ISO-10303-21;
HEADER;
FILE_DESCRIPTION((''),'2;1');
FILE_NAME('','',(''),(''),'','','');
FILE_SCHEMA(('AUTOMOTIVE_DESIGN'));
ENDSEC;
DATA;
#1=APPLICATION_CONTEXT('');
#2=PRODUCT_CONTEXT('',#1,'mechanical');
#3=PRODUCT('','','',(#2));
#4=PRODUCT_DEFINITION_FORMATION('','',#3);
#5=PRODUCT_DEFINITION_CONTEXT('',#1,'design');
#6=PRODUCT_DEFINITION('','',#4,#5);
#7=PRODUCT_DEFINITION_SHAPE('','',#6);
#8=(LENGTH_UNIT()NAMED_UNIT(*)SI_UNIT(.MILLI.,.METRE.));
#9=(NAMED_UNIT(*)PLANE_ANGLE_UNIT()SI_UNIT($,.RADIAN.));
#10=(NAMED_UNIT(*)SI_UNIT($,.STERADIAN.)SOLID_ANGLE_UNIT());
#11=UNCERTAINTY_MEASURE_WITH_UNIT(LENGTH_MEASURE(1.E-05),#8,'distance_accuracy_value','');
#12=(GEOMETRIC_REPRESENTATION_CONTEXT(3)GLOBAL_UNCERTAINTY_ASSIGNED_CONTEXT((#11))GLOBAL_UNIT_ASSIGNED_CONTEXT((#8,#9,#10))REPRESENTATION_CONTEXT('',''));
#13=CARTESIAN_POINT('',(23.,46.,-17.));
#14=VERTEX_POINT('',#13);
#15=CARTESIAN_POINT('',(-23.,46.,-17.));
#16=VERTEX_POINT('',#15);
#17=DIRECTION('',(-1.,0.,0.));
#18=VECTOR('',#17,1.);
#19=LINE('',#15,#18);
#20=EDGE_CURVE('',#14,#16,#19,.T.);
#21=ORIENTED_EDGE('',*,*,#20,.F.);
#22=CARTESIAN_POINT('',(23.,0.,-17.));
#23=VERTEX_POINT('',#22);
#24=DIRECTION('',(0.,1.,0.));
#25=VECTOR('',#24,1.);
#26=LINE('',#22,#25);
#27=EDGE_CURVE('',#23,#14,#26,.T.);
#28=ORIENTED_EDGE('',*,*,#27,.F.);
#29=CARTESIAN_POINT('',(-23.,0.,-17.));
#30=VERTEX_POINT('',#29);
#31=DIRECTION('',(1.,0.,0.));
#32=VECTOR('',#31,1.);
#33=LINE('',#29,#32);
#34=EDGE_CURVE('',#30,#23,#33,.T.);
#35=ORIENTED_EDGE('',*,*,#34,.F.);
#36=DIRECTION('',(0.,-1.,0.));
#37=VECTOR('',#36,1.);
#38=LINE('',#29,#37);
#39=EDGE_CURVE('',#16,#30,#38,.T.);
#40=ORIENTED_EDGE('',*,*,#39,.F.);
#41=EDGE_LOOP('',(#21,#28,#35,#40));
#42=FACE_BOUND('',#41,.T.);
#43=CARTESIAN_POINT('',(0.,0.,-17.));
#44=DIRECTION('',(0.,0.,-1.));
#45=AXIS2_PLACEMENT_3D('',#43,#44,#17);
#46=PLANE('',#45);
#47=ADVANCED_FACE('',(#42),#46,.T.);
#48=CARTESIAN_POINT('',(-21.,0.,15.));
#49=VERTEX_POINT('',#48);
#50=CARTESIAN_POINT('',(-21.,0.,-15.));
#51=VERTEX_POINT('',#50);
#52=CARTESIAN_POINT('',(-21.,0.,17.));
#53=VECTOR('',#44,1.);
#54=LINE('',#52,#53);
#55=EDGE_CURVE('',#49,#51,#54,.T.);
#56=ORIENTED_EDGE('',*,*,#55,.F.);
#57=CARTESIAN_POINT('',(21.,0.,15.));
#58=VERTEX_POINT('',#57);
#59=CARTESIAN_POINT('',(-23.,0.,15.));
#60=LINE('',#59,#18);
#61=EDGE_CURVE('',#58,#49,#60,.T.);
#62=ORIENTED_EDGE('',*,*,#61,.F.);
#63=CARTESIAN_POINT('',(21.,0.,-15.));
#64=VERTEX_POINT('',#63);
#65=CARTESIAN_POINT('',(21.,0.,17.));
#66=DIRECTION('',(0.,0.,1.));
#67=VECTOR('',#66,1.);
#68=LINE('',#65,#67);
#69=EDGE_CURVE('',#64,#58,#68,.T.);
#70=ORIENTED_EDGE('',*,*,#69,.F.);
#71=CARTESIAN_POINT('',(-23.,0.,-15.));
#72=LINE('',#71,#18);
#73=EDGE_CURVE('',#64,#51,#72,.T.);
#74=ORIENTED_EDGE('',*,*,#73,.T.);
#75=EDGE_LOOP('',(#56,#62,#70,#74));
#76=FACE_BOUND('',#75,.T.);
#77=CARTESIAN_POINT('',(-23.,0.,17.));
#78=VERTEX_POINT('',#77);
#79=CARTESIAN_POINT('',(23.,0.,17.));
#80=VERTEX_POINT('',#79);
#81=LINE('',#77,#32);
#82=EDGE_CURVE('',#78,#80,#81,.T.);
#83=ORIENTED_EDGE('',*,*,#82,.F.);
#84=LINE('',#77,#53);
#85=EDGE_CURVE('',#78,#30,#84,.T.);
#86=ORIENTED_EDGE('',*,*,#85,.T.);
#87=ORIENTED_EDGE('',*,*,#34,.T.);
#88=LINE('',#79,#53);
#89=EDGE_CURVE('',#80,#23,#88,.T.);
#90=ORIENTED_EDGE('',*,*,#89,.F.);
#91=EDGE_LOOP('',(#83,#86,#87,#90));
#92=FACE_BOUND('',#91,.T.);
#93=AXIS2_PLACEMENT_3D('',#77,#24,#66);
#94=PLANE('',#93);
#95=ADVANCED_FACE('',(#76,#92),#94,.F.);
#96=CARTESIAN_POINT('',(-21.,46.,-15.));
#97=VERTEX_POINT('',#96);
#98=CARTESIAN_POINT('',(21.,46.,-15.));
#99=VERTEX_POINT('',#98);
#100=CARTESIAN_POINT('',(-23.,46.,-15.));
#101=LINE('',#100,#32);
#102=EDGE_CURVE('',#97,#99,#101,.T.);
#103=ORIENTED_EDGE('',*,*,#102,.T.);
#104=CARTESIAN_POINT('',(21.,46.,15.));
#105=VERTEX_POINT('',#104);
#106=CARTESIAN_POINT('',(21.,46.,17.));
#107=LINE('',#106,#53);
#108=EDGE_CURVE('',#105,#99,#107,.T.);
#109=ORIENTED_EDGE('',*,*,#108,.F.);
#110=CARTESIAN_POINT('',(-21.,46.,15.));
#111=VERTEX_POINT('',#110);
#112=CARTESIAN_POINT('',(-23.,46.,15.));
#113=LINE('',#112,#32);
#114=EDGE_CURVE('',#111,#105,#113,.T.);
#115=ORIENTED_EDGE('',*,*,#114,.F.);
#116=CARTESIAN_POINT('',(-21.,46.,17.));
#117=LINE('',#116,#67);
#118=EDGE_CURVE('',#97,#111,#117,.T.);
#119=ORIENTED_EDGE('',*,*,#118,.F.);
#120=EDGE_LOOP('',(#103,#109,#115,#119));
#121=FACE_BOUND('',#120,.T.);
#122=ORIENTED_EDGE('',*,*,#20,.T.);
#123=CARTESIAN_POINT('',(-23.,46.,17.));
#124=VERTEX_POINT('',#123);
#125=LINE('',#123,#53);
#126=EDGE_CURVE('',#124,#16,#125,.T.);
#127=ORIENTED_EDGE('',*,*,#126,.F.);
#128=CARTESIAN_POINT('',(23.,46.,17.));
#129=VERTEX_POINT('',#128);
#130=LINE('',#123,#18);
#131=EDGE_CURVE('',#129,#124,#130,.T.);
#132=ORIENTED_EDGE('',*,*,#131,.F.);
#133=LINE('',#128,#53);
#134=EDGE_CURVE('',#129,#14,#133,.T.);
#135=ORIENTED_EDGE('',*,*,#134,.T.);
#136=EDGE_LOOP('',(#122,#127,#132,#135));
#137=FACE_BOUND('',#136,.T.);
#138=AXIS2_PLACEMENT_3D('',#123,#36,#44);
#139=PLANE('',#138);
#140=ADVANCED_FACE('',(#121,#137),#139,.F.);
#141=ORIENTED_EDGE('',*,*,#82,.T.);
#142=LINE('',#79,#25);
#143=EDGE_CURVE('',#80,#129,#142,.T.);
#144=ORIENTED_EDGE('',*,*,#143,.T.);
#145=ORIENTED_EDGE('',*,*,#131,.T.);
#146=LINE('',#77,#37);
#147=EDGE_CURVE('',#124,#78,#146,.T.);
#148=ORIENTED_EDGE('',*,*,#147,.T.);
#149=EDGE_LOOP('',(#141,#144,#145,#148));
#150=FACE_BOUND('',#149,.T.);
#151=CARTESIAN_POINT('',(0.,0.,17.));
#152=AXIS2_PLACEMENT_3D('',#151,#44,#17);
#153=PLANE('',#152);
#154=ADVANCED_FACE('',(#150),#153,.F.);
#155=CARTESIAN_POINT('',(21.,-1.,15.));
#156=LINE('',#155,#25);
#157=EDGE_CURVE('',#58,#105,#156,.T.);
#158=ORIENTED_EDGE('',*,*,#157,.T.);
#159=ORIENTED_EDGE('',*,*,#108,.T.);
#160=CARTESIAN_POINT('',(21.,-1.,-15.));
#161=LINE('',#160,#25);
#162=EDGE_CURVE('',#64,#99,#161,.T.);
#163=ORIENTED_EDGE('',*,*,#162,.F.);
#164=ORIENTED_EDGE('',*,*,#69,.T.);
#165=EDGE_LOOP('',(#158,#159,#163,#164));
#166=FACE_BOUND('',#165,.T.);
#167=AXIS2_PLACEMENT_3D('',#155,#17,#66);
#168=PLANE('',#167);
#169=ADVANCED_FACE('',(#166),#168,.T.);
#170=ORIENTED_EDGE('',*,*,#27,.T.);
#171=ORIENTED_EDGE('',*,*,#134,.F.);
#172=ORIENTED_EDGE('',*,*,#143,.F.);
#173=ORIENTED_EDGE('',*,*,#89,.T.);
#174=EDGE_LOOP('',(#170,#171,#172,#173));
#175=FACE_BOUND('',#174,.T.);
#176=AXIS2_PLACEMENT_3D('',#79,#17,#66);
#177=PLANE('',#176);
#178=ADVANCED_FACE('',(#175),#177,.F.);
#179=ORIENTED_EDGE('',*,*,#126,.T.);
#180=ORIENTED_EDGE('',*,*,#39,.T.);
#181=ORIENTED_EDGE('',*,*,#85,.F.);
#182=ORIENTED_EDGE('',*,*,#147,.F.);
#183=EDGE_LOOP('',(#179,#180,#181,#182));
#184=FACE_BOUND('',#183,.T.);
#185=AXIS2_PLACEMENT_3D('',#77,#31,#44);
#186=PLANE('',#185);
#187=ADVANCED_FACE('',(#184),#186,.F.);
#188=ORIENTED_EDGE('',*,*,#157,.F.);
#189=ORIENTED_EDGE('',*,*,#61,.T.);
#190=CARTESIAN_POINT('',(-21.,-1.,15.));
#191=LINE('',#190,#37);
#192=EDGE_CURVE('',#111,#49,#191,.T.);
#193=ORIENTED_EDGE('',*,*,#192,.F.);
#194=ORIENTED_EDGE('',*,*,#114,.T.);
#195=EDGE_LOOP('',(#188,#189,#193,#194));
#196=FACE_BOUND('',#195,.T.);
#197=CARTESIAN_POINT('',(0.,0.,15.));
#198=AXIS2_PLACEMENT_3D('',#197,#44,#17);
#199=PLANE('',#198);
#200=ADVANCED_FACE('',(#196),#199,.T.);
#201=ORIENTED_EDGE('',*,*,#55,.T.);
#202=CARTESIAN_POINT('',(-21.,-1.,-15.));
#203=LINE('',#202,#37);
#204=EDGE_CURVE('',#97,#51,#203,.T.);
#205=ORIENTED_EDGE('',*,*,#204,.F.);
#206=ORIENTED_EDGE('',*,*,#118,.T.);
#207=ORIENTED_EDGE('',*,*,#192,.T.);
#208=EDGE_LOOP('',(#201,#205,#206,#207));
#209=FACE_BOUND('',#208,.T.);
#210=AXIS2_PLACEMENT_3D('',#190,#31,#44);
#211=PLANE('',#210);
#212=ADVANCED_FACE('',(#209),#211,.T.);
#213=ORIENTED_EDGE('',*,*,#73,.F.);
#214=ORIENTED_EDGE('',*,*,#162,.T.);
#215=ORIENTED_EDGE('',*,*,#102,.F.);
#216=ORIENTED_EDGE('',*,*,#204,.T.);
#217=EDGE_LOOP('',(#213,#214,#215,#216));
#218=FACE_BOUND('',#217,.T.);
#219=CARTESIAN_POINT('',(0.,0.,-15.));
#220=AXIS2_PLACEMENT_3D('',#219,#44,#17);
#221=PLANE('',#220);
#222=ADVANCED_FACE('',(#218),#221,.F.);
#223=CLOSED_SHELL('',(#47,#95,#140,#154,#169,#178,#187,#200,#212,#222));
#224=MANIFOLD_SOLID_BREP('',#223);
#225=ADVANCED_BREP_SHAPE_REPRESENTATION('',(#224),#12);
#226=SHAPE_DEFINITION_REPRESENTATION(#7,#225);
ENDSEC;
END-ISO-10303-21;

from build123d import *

# Parameters (mm, degrees)
BOSS_EXTRUDE1_START = -17
SKETCH1_W           = 46
SKETCH1_H           = 46
BOSS_EXTRUDE1_DEPTH = 34
BOSS_EXTRUDE2_START = -15
SKETCH2_W           = 42
SKETCH2_H           = 48
BOSS_EXTRUDE2_DEPTH = 30


with BuildPart() as part:
    # Sketch1 → Boss-Extrude1 (new body)
    with BuildSketch(Plane.XY.offset(BOSS_EXTRUDE1_START)):
        with Locations((0, 23)):
            Rectangle(SKETCH1_W, SKETCH1_H)
    extrude(amount=BOSS_EXTRUDE1_DEPTH)


with BuildPart() as body_2:
    # Sketch2 → Boss-Extrude2 (new body)
    with BuildSketch(Plane.XY.offset(BOSS_EXTRUDE2_START)):
        with Locations((0, 23)):
            Rectangle(SKETCH2_W, SKETCH2_H)
    extrude(amount=BOSS_EXTRUDE2_DEPTH)


with BuildPart() as part_1:
    add(part.part)

    # Combine1: cut body 2
    add(body_2.part, mode=Mode.SUBTRACT)


solid = part_1.part
